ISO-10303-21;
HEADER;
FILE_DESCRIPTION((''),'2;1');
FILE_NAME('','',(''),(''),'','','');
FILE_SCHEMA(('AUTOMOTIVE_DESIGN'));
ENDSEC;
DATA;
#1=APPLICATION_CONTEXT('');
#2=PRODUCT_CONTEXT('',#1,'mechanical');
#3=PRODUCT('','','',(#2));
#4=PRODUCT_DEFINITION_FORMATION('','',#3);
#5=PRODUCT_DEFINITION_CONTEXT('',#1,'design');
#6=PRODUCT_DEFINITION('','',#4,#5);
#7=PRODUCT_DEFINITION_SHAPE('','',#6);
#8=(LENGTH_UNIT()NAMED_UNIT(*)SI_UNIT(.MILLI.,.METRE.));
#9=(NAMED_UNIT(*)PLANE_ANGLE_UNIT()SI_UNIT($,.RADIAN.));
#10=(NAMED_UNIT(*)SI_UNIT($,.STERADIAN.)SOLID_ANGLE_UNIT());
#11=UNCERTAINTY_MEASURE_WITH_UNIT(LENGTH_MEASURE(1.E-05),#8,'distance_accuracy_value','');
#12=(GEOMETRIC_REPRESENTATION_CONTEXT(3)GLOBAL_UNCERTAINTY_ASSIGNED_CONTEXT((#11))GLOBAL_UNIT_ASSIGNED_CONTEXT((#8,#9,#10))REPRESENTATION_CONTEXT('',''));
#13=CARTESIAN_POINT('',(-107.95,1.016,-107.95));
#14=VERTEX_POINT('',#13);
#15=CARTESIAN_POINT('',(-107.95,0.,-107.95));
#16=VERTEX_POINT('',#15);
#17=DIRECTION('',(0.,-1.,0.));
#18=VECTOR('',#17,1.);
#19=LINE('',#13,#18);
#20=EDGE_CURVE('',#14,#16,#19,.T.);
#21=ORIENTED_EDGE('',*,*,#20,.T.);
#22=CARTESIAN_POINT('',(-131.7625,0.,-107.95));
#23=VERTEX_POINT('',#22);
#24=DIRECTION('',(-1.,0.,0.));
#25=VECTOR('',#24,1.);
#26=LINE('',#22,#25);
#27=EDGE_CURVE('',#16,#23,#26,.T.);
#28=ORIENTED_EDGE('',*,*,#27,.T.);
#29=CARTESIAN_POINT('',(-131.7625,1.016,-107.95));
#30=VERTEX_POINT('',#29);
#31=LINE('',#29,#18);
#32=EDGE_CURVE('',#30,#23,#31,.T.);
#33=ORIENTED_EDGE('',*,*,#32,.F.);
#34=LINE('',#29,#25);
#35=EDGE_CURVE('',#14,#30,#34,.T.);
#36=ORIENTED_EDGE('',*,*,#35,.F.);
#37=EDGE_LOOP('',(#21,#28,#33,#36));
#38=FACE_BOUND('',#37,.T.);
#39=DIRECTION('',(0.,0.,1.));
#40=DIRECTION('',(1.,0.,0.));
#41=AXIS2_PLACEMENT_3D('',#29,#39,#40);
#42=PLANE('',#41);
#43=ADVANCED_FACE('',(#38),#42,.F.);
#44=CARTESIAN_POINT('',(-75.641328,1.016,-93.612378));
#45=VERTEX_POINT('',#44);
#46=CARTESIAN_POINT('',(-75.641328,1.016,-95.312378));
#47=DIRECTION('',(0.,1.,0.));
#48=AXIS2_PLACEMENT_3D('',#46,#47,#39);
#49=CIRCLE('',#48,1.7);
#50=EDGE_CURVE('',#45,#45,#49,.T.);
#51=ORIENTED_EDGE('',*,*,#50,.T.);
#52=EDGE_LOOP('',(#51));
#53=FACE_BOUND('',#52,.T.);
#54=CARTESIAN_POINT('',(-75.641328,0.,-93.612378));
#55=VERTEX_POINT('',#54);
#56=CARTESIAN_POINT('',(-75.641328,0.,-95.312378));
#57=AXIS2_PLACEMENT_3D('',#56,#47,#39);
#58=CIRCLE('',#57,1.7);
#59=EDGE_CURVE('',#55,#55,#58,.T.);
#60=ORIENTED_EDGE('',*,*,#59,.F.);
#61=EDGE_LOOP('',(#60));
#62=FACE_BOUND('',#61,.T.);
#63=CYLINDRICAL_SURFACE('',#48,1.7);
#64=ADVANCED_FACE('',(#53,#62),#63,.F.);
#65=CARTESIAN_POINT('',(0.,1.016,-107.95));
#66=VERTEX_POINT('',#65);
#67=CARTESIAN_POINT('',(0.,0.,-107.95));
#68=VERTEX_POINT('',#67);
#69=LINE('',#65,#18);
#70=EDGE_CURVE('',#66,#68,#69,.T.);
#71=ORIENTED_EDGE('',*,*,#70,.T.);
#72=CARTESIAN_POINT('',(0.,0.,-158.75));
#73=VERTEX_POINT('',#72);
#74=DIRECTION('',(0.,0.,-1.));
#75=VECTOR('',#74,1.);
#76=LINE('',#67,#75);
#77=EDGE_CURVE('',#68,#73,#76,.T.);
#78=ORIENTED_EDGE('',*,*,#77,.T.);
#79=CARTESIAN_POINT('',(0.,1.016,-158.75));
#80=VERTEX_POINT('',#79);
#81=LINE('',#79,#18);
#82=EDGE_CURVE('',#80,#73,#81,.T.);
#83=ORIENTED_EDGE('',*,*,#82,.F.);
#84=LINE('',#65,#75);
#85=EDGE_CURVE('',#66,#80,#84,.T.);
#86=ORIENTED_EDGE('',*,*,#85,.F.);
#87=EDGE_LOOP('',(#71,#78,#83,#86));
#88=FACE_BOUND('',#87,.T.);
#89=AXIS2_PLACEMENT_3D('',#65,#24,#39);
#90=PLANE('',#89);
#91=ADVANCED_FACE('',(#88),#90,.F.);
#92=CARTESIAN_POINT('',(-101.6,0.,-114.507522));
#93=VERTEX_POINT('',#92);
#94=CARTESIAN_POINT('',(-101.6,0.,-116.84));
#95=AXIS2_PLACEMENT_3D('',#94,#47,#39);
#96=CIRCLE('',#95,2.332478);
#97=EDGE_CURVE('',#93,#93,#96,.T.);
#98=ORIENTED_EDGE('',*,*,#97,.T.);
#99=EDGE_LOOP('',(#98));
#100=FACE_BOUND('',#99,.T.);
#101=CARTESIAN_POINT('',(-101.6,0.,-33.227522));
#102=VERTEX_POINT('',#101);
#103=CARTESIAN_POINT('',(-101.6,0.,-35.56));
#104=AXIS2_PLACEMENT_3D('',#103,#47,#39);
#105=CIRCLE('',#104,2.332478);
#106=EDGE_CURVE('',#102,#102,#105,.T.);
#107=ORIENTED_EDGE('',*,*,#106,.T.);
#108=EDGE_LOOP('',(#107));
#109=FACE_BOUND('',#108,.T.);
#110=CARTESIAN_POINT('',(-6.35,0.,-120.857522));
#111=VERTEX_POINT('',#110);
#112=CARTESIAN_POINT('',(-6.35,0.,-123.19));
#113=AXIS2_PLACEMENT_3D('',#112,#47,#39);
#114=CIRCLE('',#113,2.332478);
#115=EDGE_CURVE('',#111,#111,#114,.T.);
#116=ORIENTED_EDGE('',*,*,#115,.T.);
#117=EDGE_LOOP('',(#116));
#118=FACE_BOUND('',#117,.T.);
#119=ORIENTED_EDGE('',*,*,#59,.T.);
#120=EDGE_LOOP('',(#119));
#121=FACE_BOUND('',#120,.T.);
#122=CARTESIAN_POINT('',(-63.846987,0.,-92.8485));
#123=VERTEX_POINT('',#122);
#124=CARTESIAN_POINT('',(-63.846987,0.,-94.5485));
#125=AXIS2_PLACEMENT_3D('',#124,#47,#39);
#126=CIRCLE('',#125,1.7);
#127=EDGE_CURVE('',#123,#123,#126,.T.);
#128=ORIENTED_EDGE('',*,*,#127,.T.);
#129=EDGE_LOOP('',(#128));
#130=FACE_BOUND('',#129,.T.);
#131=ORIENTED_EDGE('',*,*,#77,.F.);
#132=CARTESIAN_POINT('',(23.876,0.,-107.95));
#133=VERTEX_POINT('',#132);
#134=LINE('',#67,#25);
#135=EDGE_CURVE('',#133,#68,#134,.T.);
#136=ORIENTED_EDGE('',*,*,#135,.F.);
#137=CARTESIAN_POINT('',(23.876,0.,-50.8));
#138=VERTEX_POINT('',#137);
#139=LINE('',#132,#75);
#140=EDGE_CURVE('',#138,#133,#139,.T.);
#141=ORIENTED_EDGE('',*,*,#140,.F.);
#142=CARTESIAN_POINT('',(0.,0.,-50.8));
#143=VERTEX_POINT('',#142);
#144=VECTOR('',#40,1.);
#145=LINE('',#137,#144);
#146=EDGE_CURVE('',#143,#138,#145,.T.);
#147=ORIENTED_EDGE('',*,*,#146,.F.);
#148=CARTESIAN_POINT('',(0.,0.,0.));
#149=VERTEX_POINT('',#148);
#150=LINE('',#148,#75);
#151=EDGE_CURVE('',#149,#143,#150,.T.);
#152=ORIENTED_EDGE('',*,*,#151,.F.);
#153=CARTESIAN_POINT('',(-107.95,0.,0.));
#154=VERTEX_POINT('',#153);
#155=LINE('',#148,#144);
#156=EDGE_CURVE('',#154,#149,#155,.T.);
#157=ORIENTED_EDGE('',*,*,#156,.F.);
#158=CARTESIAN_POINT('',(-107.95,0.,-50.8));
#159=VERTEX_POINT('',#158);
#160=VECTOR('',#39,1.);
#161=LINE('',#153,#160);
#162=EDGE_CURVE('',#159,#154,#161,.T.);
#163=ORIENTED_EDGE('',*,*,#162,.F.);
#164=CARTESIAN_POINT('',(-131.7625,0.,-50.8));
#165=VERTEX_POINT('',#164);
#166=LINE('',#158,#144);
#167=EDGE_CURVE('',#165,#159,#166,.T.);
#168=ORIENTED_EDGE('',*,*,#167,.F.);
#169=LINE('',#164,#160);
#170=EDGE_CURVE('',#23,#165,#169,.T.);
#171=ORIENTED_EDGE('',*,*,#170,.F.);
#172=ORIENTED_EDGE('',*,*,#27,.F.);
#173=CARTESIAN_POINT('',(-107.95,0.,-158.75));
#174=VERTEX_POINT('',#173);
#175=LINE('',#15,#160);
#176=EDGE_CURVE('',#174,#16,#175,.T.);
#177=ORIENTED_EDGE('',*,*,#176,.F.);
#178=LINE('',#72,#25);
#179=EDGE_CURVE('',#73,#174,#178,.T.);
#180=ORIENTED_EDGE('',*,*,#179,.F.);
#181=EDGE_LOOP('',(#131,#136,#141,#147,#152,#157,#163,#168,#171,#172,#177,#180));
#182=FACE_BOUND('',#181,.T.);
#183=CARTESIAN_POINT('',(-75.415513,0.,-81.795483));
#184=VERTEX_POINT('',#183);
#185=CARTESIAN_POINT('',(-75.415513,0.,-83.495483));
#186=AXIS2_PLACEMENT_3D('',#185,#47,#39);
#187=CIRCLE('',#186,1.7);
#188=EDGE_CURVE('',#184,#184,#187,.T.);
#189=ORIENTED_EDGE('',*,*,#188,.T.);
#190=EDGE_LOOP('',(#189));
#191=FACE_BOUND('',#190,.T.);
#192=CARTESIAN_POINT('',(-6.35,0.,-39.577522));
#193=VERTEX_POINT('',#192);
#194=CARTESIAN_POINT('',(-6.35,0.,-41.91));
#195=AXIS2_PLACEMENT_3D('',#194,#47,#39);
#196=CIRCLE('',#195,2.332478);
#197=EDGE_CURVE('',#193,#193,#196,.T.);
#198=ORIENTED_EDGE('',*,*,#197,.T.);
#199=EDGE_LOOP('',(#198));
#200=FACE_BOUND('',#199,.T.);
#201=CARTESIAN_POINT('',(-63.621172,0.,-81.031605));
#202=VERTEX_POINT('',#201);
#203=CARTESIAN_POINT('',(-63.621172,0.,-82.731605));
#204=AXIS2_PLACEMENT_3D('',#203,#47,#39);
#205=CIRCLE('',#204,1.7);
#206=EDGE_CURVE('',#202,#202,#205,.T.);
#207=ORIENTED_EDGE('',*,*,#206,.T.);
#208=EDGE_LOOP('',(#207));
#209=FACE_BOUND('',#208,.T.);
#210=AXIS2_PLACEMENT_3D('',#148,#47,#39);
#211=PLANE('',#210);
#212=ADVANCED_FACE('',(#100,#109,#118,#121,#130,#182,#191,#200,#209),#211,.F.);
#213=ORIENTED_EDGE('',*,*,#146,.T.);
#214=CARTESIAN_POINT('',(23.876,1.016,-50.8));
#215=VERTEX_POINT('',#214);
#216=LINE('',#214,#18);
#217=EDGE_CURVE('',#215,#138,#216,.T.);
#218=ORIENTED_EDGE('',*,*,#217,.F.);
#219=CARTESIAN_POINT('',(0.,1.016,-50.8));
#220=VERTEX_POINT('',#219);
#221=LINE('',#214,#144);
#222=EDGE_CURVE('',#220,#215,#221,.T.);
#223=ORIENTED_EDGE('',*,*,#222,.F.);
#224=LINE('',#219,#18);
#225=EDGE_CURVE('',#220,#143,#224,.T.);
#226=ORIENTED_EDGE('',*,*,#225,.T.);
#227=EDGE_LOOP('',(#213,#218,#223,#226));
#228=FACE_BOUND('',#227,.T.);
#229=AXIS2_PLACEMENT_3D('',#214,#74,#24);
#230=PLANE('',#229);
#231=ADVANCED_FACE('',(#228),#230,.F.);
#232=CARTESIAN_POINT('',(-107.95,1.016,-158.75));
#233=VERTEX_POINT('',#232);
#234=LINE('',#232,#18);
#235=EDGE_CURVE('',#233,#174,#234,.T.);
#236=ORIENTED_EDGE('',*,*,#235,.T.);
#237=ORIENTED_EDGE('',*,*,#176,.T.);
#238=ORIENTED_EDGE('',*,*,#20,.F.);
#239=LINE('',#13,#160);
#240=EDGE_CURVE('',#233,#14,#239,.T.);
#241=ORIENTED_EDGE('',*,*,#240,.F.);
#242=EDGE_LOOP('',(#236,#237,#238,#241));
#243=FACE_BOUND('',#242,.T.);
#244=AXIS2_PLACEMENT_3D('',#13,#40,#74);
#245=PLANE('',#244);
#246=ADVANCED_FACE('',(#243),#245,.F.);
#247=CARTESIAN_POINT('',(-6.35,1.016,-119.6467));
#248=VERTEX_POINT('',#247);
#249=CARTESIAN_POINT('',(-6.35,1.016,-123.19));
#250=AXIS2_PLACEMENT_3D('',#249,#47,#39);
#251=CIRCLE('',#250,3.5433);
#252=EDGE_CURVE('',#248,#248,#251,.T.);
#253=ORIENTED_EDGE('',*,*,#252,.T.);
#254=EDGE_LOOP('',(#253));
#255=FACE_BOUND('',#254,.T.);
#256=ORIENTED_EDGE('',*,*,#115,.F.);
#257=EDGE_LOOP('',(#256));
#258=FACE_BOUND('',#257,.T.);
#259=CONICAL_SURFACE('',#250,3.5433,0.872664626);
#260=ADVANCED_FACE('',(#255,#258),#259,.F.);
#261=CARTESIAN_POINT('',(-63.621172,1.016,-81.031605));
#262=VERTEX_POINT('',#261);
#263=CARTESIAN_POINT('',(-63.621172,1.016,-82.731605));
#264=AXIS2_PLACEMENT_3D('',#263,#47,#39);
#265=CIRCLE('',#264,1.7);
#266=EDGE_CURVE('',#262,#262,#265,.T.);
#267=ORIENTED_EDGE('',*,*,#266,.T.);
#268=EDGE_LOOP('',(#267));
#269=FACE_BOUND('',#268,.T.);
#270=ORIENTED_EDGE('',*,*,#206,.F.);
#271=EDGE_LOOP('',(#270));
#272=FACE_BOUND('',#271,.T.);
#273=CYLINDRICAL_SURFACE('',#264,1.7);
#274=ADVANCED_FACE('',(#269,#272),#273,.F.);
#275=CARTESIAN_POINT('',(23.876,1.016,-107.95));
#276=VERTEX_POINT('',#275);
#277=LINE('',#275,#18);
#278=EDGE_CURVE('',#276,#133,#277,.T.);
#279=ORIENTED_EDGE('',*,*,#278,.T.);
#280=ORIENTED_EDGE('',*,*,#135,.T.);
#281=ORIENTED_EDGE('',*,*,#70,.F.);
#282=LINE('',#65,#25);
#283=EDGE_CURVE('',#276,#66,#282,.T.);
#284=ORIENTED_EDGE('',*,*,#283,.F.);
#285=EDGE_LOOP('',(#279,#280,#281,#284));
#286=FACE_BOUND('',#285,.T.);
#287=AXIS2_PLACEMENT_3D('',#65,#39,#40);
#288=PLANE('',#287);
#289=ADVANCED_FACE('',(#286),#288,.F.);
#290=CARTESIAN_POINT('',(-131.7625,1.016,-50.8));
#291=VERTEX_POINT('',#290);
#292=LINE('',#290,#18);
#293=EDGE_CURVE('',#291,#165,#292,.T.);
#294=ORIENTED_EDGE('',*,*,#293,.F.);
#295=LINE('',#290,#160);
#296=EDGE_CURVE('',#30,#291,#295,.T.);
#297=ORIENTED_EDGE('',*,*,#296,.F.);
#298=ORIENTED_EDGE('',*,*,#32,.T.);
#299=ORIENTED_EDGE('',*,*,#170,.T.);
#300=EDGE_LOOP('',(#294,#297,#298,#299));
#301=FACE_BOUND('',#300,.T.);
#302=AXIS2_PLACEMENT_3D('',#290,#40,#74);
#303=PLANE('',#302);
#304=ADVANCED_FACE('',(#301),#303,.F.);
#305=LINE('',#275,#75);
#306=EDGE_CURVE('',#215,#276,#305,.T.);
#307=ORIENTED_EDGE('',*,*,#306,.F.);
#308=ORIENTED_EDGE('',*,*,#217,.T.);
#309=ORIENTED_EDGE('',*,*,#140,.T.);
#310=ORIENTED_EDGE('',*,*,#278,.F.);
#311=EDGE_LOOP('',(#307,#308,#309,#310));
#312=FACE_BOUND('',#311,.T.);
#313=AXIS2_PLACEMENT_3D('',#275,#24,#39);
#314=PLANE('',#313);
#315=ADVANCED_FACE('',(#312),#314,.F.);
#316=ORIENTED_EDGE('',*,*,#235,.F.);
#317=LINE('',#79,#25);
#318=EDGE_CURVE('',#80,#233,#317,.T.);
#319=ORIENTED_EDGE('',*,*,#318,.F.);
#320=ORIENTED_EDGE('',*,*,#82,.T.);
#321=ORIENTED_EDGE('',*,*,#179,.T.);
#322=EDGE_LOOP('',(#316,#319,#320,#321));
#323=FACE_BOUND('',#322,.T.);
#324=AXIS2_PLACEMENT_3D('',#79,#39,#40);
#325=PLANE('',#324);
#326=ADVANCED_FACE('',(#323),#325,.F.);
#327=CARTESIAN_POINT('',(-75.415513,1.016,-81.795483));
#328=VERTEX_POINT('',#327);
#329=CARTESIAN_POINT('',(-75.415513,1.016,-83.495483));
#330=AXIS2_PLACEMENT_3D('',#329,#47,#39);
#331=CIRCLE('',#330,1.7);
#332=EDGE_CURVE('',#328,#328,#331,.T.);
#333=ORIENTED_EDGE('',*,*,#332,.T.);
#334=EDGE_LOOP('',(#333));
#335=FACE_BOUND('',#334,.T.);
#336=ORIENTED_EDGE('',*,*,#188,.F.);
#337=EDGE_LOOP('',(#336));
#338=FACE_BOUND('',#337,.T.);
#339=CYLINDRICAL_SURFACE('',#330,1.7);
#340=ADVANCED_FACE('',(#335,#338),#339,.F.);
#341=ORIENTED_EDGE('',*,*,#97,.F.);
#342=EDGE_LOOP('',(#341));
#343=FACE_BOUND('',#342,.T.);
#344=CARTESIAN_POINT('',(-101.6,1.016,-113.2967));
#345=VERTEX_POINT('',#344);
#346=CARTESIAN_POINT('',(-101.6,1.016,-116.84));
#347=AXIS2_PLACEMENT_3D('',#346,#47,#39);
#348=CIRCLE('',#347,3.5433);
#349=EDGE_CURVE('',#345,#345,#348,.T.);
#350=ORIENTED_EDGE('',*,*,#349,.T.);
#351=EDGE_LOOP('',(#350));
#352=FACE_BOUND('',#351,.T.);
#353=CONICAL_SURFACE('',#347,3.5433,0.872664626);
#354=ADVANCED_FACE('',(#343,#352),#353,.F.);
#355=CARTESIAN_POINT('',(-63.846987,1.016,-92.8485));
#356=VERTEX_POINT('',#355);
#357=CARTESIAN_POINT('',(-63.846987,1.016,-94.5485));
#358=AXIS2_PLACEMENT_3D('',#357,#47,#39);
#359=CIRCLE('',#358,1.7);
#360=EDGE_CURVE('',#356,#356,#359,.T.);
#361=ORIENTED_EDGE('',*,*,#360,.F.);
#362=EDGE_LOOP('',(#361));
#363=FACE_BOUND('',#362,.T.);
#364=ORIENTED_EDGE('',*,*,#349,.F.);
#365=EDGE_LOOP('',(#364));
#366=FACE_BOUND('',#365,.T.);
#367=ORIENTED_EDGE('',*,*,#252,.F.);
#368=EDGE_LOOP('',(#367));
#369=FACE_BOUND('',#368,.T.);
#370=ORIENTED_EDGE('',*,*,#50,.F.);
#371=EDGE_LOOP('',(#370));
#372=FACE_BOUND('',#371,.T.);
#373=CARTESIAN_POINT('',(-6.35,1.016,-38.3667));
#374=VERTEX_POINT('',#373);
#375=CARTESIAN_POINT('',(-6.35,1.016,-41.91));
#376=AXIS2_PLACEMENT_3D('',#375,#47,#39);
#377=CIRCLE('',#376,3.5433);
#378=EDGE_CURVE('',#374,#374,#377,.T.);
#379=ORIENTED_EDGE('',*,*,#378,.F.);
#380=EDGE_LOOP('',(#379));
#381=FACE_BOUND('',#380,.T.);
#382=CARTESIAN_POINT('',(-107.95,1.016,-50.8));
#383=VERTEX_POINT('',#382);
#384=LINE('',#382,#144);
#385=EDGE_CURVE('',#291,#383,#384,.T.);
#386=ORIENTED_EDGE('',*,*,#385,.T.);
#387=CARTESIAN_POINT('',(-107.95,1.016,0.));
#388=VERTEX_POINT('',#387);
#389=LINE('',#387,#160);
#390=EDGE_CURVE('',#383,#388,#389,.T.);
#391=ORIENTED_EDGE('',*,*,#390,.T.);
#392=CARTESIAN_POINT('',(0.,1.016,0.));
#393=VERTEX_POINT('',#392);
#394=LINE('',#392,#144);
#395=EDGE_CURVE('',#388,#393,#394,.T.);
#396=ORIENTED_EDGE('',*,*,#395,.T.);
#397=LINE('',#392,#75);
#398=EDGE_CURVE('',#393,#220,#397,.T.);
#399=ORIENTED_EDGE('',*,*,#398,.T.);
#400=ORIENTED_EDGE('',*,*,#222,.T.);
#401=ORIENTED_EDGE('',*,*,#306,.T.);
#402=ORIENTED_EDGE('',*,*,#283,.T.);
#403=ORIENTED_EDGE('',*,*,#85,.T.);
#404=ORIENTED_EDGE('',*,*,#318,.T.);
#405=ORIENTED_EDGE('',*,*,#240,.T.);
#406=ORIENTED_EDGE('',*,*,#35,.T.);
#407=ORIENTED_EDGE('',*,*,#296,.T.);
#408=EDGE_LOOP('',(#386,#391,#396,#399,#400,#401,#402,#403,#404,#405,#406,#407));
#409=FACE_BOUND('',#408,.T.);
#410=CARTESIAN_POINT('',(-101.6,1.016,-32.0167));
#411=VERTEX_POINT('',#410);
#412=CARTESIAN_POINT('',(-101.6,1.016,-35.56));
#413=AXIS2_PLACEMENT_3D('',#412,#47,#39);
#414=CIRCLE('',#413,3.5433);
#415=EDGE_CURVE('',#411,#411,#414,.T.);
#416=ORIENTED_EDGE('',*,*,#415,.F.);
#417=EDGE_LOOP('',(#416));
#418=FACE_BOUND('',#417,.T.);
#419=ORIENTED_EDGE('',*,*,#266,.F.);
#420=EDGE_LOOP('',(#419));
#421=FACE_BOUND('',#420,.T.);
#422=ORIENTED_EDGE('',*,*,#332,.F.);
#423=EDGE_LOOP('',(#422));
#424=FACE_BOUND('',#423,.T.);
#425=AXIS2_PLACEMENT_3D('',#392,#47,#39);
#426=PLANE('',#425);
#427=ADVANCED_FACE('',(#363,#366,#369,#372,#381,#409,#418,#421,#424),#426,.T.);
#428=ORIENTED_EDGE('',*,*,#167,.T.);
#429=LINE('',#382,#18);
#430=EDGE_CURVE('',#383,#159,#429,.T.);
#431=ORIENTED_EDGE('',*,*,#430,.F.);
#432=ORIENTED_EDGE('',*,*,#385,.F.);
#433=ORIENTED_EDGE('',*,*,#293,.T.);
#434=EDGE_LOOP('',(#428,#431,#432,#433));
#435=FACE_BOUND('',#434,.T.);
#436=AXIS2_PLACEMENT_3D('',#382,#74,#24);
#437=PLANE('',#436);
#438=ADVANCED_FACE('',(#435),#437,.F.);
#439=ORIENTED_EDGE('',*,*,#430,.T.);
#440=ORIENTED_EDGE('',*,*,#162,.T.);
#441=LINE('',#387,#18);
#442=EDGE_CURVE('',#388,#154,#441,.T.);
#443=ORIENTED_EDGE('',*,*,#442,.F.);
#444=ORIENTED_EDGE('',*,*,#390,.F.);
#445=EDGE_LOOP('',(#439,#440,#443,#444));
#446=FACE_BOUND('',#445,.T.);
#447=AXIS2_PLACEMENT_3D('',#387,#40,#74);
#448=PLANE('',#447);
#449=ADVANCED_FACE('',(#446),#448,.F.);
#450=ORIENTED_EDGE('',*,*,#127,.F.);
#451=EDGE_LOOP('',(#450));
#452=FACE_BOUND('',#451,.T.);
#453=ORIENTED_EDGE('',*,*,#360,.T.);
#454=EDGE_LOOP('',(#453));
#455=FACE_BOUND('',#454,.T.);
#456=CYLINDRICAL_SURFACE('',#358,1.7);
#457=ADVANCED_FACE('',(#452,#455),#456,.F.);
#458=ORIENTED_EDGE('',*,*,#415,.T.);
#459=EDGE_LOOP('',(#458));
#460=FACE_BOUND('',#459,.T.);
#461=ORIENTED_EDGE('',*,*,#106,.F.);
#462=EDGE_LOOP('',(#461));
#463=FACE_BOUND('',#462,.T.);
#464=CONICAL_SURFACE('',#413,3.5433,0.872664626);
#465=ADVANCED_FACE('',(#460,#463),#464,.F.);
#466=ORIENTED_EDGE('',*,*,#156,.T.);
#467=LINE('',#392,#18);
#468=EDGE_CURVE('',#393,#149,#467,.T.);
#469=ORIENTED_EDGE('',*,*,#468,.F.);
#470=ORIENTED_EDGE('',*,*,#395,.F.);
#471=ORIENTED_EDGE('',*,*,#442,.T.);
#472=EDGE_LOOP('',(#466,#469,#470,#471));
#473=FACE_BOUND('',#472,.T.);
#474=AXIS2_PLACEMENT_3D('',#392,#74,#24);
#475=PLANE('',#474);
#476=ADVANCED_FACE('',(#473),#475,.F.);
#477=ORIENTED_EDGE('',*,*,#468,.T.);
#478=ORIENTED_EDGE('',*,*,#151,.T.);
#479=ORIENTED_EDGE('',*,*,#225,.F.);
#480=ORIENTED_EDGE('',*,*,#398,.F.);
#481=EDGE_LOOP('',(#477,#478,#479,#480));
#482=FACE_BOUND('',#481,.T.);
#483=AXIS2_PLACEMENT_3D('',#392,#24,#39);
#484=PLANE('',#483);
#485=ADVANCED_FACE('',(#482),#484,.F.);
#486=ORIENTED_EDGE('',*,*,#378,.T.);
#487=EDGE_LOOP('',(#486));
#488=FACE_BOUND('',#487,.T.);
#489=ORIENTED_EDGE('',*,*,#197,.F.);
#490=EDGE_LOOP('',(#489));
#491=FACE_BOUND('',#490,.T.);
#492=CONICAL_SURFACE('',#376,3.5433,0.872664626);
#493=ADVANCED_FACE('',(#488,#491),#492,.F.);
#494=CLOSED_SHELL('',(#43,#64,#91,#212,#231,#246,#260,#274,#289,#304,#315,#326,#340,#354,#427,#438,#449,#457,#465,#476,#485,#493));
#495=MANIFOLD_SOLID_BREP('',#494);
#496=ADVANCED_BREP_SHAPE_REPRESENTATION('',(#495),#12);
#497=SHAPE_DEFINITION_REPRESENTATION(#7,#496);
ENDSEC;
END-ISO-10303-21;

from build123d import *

# Parameters (mm, degrees)
BOSS_EXTRUDE1_DEPTH                       = 1.016
CSK_FOR_6_FLAT_HEAD_MACHINE_SCREW_2_COUNT = 2
CSK_FOR_6_FLAT_HEAD_MACHINE_SCREW_2_PITCH = 95.461432003
CSK_FOR_6_FLAT_HEAD_MACHINE_SCREW_3_COUNT = 2
CSK_FOR_6_FLAT_HEAD_MACHINE_SCREW_3_PITCH = 121.190211651
CSK_FOR_6_FLAT_HEAD_MACHINE_SCREW_4_COUNT = 2
CSK_FOR_6_FLAT_HEAD_MACHINE_SCREW_4_PITCH = 81.28
M3_CLEARANCE_HOLE1_D                      = 3.4
M3_CLEARANCE_HOLE1_DEPTH                  = 20.066
M3_CLEARANCE_HOLE1_TIP                    = 1.021463052


with BuildPart() as part:
    # Sketch1 → Boss-Extrude1 (new body)
    with BuildSketch(Plane(origin=(0, 0, 0), x_dir=(1, 0, 0), z_dir=(0, 1, 0))):
        Polygon((-107.95, 50.8), (-131.7625, 50.8), (-131.7625, 107.95), (-107.95, 107.95), (-107.95, 158.75), (0, 158.75), (0, 107.95), (23.876, 107.95), (23.876, 50.8), (0, 50.8), (0, 0), (-107.95, 0), align=None)
    extrude(amount=BOSS_EXTRUDE1_DEPTH)

    # Sketch2 → CSK for #6 Flat Head Machine Screw (100)1 (revolve, cut)
    with BuildSketch(Plane(origin=(-101.6, 1.016, -116.84), x_dir=(0, 0, 1), z_dir=(1, 0, 0))):
        Polygon((0, 0), (0, 1.016), (1.89865, 1.016), (1.89865, 1.380025208), (3.5433, 0), align=None)
    csk_for_6_flat_head_machine_screw_100 = revolve(axis=Axis((-101.6, 7.366, -116.84), (0, -1, 0)), mode=Mode.SUBTRACT)

    # CSK for _6 Flat Head Machine Screw _ 2: CSK for #6 Flat Head Machine Screw (100)1 ×2
    with Locations(*[Vector(0.997785157856609, 0, -0.06651901052377401) * (i * CSK_FOR_6_FLAT_HEAD_MACHINE_SCREW_2_PITCH) for i in range(1, CSK_FOR_6_FLAT_HEAD_MACHINE_SCREW_2_COUNT)]):
        add(csk_for_6_flat_head_machine_screw_100, mode=Mode.SUBTRACT)

    # CSK for _6 Flat Head Machine Screw _ 3: CSK for #6 Flat Head Machine Screw (100)1 ×2
    with Locations(*[Vector(0.7859545643367972, 0, 0.6182842572782808) * (i * CSK_FOR_6_FLAT_HEAD_MACHINE_SCREW_3_PITCH) for i in range(1, CSK_FOR_6_FLAT_HEAD_MACHINE_SCREW_3_COUNT)]):
        add(csk_for_6_flat_head_machine_screw_100, mode=Mode.SUBTRACT)

    # CSK for _6 Flat Head Machine Screw _ 4: CSK for #6 Flat Head Machine Screw (100)1 ×2
    with Locations(*[(0, 0, i * CSK_FOR_6_FLAT_HEAD_MACHINE_SCREW_4_PITCH) for i in range(1, CSK_FOR_6_FLAT_HEAD_MACHINE_SCREW_4_COUNT)]):
        add(csk_for_6_flat_head_machine_screw_100, mode=Mode.SUBTRACT)

    # M3 Clearance Hole1
    with Locations(Plane(origin=(0, 1.016, 0), x_dir=(1, 0, 0), z_dir=(0, 1, 0))):
        with Locations((-63.846986831, 94.548500407), (-63.621171585, 82.731605313), (-75.641328415, 95.312377887), (-75.415513169, 83.495482793)):
            Hole(M3_CLEARANCE_HOLE1_D / 2, depth=M3_CLEARANCE_HOLE1_DEPTH)
            with Locations((0, 0, -(M3_CLEARANCE_HOLE1_DEPTH + M3_CLEARANCE_HOLE1_TIP / 2))):  # 118° drill point
                Cone(0, M3_CLEARANCE_HOLE1_D / 2, M3_CLEARANCE_HOLE1_TIP, mode=Mode.SUBTRACT)


solid = part.part
